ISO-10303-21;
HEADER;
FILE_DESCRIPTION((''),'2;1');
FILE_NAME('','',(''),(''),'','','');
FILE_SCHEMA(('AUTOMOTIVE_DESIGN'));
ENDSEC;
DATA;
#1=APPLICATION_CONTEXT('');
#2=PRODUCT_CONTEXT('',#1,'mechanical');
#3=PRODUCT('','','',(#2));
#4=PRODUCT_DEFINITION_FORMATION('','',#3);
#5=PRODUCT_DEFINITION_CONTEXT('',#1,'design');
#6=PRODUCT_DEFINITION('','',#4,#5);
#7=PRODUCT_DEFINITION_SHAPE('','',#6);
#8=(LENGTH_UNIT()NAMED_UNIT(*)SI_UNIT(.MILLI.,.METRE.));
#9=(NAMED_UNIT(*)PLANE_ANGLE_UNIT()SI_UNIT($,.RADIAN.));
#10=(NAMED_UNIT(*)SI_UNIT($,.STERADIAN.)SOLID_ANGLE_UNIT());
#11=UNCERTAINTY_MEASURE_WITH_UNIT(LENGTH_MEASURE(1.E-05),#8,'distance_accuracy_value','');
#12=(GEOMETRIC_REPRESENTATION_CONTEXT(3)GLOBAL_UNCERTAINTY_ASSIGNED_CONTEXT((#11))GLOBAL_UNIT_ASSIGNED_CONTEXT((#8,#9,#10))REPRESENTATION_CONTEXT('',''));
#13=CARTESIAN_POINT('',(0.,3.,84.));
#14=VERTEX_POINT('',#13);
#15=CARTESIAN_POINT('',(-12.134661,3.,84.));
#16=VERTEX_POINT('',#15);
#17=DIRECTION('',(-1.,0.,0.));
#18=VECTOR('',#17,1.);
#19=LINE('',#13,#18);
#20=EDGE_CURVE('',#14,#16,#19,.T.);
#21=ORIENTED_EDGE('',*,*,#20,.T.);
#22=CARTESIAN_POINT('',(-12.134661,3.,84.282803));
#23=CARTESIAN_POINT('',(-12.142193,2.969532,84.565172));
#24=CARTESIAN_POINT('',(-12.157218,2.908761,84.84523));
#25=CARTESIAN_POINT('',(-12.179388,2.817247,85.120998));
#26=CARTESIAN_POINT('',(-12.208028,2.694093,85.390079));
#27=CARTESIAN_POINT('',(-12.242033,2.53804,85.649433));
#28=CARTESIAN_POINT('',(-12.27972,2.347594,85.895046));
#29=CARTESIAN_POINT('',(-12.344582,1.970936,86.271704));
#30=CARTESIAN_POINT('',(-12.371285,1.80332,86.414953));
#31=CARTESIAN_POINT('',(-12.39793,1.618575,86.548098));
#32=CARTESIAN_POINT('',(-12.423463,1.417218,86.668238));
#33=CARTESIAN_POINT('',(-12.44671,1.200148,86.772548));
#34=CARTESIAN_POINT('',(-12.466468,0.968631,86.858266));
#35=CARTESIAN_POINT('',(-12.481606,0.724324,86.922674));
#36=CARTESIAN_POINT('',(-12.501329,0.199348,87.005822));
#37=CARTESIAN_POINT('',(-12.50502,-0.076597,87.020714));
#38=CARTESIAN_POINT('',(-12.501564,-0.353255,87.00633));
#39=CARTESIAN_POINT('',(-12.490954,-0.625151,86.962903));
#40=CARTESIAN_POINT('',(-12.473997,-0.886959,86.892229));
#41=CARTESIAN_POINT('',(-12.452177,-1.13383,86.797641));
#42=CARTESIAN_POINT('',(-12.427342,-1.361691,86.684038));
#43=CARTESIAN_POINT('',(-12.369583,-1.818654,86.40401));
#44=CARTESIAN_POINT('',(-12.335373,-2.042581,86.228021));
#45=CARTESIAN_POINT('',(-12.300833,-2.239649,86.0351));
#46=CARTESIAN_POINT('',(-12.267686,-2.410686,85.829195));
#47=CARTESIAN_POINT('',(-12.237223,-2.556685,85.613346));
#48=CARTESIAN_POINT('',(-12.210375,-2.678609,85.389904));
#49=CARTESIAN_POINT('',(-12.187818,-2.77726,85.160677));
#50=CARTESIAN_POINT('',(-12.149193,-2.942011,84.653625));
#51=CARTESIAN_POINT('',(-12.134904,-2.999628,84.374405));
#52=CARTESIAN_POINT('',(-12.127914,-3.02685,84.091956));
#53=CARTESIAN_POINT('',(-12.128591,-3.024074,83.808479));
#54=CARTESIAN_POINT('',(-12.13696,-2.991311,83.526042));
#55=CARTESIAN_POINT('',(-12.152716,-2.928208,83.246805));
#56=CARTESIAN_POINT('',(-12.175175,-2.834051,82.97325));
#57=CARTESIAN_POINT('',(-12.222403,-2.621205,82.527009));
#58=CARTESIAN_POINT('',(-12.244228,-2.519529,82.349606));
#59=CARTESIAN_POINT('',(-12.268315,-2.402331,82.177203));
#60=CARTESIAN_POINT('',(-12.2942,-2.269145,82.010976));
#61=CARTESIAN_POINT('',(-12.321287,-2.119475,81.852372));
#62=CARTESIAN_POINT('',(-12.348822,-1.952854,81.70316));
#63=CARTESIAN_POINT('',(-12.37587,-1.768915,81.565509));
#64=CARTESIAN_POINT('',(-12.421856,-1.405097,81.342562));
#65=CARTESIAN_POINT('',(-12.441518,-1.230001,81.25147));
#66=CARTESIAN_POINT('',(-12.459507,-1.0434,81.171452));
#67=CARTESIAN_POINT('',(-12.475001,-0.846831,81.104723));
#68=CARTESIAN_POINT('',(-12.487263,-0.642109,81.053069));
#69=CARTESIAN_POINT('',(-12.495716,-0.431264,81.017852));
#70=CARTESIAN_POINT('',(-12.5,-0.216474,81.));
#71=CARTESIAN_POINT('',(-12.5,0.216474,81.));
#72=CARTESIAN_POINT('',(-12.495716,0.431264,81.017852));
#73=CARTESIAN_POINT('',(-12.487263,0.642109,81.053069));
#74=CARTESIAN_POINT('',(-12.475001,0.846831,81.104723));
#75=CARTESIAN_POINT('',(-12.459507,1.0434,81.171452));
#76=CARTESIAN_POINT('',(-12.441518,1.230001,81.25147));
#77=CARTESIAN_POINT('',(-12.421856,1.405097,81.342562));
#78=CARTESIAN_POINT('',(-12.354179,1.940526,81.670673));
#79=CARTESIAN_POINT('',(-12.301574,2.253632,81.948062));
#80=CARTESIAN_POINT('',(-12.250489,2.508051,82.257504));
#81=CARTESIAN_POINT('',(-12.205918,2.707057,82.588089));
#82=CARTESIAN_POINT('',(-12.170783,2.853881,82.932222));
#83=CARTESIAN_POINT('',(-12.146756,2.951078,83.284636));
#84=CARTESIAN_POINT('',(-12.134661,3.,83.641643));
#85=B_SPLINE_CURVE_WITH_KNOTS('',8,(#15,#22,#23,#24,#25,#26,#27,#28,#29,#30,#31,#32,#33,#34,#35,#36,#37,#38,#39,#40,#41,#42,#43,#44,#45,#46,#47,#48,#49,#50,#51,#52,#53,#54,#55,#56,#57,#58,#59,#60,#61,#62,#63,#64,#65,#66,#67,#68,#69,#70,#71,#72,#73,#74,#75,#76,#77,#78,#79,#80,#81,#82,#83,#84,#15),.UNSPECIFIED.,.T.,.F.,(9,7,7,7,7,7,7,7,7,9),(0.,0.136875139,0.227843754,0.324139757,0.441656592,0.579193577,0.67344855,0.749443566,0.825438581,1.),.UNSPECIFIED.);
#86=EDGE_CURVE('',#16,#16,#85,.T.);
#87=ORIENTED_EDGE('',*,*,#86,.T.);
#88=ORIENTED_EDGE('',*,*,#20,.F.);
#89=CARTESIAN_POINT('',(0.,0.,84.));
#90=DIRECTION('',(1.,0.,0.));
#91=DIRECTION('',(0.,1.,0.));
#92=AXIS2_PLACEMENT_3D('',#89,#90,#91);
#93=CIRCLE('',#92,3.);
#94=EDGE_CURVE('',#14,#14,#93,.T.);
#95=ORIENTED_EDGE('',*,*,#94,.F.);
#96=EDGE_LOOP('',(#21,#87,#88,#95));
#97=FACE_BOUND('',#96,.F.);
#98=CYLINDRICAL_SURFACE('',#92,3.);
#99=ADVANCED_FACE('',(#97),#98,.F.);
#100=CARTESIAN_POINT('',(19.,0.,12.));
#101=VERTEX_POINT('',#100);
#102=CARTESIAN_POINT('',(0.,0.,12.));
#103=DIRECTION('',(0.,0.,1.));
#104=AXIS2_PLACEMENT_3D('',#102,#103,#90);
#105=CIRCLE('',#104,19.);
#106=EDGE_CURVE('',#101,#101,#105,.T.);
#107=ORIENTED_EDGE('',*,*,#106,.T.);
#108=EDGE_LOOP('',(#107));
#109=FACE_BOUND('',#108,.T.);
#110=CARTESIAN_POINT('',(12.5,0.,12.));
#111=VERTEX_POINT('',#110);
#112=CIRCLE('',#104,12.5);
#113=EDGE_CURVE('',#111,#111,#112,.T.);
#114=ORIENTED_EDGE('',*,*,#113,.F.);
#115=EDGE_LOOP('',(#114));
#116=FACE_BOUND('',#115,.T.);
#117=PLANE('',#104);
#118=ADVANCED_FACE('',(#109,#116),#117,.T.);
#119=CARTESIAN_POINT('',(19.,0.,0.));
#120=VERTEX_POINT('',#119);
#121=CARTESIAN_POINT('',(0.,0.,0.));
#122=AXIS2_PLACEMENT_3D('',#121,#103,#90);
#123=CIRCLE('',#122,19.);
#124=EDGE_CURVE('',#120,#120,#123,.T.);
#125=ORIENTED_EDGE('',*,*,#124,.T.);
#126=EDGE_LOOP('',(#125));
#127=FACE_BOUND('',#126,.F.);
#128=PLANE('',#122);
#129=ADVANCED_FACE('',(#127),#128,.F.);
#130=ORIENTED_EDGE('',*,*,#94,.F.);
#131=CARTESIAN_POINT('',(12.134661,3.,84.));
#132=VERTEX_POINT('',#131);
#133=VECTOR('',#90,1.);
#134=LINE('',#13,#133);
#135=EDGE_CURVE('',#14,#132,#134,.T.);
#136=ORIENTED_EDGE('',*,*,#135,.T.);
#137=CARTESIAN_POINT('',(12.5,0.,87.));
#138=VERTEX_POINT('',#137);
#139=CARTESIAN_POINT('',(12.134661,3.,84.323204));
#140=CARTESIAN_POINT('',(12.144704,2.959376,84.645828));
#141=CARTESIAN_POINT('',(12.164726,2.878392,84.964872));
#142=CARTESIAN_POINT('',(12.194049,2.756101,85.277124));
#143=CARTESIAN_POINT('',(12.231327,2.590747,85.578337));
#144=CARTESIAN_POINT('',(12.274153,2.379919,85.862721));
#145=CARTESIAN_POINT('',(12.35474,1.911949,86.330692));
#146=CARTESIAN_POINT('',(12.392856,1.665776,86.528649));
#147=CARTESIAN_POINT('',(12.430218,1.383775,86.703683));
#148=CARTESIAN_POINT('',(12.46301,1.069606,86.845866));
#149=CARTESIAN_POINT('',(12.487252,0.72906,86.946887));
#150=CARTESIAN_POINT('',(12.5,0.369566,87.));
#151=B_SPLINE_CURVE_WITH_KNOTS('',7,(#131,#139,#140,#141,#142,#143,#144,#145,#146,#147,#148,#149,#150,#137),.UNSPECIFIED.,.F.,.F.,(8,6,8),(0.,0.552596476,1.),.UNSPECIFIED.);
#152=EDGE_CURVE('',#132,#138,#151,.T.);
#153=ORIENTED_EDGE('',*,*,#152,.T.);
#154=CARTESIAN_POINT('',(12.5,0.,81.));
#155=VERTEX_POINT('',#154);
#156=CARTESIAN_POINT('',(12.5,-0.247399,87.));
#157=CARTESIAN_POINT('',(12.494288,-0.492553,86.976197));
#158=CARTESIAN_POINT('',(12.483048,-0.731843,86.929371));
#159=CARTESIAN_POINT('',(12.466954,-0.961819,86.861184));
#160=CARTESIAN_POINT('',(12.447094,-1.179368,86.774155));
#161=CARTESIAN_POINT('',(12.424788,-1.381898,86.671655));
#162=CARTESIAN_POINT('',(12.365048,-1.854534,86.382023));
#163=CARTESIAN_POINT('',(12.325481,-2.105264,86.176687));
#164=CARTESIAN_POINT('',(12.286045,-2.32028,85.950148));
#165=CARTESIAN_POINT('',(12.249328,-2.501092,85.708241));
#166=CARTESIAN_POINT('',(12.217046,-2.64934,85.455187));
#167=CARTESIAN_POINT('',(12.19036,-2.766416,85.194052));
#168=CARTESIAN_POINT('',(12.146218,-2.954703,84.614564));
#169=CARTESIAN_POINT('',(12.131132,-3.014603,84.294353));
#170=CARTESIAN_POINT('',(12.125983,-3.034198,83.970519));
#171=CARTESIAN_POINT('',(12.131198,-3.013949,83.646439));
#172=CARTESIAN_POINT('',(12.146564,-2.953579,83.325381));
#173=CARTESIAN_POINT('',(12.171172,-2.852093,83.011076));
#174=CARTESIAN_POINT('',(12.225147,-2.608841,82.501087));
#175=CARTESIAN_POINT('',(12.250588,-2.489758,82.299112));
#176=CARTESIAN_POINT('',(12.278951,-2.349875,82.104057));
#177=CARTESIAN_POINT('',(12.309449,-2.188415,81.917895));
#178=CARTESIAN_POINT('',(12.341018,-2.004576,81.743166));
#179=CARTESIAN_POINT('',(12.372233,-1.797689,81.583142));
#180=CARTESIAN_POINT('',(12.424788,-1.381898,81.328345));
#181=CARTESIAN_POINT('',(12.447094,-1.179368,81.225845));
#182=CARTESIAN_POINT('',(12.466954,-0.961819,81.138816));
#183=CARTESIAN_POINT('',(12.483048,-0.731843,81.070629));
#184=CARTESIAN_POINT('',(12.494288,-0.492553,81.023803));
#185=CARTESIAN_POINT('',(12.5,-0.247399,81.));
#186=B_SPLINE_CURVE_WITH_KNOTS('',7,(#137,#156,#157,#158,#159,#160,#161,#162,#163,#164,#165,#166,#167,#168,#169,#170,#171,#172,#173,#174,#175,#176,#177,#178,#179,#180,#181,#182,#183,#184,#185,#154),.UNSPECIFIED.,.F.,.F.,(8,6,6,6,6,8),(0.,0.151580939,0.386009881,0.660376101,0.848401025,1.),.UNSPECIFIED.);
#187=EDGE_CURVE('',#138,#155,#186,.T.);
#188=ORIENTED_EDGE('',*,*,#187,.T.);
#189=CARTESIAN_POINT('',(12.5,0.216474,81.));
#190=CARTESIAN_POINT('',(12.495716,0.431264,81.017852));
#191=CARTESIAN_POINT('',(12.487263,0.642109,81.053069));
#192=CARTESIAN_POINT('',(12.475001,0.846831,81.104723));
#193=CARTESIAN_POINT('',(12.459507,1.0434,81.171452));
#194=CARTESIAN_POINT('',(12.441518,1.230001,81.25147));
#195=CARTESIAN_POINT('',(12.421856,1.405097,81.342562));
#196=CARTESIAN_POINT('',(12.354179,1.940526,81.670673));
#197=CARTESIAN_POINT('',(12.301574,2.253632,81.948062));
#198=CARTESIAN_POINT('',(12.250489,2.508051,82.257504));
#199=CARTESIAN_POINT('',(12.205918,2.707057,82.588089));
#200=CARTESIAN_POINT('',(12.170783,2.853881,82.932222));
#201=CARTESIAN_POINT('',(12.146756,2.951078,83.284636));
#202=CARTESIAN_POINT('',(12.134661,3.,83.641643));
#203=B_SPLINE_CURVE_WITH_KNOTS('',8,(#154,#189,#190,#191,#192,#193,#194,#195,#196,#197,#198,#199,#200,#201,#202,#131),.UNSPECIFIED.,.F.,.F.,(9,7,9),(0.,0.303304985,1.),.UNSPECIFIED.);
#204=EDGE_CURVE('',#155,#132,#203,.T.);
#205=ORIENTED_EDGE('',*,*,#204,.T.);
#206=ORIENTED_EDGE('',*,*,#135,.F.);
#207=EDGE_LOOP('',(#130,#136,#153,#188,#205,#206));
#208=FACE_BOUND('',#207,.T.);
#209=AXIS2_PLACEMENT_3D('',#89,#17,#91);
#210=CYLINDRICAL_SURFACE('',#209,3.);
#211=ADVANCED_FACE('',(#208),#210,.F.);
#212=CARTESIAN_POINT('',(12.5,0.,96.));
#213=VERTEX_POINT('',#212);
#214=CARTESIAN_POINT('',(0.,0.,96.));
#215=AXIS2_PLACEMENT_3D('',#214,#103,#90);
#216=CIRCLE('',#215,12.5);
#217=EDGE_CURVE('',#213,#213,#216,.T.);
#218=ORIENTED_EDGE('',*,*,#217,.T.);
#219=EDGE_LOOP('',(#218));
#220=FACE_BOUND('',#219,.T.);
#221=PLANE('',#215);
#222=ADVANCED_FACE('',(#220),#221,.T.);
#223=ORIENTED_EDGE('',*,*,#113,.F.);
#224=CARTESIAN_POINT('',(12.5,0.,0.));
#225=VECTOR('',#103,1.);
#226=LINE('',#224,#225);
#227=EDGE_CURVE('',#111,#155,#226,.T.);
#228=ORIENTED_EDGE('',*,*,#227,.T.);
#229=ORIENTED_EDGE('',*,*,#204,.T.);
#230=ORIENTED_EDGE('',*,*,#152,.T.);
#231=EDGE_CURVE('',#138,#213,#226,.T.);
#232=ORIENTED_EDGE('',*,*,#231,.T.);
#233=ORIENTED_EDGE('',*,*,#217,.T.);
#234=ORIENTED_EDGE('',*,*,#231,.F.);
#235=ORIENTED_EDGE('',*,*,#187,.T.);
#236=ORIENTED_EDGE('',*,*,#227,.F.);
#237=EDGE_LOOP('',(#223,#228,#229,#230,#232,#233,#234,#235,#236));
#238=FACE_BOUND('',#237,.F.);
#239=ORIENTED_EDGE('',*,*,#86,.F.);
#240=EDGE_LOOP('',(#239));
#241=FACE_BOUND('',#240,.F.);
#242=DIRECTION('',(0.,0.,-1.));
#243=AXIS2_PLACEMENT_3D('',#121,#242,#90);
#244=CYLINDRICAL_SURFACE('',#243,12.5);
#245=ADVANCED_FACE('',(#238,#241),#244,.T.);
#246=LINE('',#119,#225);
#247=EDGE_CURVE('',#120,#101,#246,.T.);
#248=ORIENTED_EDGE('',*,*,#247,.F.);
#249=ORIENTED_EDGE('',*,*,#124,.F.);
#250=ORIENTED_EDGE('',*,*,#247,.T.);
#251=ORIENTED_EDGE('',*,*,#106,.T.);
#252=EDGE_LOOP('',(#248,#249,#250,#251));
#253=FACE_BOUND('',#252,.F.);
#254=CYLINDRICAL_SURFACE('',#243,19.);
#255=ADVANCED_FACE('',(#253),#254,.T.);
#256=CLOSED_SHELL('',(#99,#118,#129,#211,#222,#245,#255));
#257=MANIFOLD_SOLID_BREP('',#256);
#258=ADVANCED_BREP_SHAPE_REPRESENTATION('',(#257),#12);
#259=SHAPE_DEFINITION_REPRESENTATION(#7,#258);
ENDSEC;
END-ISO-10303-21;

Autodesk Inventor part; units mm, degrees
ref_plane "YZ Plane" through (0, 0, 0) normal (1, 0, 0) x (0, 1, 0)
ref_plane "XZ Plane" through (0, 0, 0) normal (0, 1, 0) x (-1, 0, 0)
ref_plane "XY Plane" through (0, 0, 0) normal (0, 0, 1) x (1, 0, 0)
sketch "Sketch1" plane through (0, 0, 0) normal (0, 0, 1) x (1, 0, 0)
  circle A0 centre (0, 0) radius 19
  circle A1 centre (0, 0) radius 12.5
  dimension "d0" = 38
  dimension "d1" = 25
extrude "Extrusion1" add sketch "Sketch1" along normal blind 96 contours A1
extrude "Extrusion2" add sketch "Sketch1" along normal blind 12
sketch "Sketch2" plane through (0, 0, 0) normal (1, 0, 0) x (0, 1, 0)
  circle A0 centre (0, 84) radius 3
  line L0 (12.5, 96) -> (-12.5, 96) projected
  point P0 (0, 0)
  dimension "d6" = 6
  dimension "d7" = 12
extrude "Extrusion3" cut sketch "Sketch2" along normal through all both and the other way through all
properties part number "pin" material "Steel, Alloy"
